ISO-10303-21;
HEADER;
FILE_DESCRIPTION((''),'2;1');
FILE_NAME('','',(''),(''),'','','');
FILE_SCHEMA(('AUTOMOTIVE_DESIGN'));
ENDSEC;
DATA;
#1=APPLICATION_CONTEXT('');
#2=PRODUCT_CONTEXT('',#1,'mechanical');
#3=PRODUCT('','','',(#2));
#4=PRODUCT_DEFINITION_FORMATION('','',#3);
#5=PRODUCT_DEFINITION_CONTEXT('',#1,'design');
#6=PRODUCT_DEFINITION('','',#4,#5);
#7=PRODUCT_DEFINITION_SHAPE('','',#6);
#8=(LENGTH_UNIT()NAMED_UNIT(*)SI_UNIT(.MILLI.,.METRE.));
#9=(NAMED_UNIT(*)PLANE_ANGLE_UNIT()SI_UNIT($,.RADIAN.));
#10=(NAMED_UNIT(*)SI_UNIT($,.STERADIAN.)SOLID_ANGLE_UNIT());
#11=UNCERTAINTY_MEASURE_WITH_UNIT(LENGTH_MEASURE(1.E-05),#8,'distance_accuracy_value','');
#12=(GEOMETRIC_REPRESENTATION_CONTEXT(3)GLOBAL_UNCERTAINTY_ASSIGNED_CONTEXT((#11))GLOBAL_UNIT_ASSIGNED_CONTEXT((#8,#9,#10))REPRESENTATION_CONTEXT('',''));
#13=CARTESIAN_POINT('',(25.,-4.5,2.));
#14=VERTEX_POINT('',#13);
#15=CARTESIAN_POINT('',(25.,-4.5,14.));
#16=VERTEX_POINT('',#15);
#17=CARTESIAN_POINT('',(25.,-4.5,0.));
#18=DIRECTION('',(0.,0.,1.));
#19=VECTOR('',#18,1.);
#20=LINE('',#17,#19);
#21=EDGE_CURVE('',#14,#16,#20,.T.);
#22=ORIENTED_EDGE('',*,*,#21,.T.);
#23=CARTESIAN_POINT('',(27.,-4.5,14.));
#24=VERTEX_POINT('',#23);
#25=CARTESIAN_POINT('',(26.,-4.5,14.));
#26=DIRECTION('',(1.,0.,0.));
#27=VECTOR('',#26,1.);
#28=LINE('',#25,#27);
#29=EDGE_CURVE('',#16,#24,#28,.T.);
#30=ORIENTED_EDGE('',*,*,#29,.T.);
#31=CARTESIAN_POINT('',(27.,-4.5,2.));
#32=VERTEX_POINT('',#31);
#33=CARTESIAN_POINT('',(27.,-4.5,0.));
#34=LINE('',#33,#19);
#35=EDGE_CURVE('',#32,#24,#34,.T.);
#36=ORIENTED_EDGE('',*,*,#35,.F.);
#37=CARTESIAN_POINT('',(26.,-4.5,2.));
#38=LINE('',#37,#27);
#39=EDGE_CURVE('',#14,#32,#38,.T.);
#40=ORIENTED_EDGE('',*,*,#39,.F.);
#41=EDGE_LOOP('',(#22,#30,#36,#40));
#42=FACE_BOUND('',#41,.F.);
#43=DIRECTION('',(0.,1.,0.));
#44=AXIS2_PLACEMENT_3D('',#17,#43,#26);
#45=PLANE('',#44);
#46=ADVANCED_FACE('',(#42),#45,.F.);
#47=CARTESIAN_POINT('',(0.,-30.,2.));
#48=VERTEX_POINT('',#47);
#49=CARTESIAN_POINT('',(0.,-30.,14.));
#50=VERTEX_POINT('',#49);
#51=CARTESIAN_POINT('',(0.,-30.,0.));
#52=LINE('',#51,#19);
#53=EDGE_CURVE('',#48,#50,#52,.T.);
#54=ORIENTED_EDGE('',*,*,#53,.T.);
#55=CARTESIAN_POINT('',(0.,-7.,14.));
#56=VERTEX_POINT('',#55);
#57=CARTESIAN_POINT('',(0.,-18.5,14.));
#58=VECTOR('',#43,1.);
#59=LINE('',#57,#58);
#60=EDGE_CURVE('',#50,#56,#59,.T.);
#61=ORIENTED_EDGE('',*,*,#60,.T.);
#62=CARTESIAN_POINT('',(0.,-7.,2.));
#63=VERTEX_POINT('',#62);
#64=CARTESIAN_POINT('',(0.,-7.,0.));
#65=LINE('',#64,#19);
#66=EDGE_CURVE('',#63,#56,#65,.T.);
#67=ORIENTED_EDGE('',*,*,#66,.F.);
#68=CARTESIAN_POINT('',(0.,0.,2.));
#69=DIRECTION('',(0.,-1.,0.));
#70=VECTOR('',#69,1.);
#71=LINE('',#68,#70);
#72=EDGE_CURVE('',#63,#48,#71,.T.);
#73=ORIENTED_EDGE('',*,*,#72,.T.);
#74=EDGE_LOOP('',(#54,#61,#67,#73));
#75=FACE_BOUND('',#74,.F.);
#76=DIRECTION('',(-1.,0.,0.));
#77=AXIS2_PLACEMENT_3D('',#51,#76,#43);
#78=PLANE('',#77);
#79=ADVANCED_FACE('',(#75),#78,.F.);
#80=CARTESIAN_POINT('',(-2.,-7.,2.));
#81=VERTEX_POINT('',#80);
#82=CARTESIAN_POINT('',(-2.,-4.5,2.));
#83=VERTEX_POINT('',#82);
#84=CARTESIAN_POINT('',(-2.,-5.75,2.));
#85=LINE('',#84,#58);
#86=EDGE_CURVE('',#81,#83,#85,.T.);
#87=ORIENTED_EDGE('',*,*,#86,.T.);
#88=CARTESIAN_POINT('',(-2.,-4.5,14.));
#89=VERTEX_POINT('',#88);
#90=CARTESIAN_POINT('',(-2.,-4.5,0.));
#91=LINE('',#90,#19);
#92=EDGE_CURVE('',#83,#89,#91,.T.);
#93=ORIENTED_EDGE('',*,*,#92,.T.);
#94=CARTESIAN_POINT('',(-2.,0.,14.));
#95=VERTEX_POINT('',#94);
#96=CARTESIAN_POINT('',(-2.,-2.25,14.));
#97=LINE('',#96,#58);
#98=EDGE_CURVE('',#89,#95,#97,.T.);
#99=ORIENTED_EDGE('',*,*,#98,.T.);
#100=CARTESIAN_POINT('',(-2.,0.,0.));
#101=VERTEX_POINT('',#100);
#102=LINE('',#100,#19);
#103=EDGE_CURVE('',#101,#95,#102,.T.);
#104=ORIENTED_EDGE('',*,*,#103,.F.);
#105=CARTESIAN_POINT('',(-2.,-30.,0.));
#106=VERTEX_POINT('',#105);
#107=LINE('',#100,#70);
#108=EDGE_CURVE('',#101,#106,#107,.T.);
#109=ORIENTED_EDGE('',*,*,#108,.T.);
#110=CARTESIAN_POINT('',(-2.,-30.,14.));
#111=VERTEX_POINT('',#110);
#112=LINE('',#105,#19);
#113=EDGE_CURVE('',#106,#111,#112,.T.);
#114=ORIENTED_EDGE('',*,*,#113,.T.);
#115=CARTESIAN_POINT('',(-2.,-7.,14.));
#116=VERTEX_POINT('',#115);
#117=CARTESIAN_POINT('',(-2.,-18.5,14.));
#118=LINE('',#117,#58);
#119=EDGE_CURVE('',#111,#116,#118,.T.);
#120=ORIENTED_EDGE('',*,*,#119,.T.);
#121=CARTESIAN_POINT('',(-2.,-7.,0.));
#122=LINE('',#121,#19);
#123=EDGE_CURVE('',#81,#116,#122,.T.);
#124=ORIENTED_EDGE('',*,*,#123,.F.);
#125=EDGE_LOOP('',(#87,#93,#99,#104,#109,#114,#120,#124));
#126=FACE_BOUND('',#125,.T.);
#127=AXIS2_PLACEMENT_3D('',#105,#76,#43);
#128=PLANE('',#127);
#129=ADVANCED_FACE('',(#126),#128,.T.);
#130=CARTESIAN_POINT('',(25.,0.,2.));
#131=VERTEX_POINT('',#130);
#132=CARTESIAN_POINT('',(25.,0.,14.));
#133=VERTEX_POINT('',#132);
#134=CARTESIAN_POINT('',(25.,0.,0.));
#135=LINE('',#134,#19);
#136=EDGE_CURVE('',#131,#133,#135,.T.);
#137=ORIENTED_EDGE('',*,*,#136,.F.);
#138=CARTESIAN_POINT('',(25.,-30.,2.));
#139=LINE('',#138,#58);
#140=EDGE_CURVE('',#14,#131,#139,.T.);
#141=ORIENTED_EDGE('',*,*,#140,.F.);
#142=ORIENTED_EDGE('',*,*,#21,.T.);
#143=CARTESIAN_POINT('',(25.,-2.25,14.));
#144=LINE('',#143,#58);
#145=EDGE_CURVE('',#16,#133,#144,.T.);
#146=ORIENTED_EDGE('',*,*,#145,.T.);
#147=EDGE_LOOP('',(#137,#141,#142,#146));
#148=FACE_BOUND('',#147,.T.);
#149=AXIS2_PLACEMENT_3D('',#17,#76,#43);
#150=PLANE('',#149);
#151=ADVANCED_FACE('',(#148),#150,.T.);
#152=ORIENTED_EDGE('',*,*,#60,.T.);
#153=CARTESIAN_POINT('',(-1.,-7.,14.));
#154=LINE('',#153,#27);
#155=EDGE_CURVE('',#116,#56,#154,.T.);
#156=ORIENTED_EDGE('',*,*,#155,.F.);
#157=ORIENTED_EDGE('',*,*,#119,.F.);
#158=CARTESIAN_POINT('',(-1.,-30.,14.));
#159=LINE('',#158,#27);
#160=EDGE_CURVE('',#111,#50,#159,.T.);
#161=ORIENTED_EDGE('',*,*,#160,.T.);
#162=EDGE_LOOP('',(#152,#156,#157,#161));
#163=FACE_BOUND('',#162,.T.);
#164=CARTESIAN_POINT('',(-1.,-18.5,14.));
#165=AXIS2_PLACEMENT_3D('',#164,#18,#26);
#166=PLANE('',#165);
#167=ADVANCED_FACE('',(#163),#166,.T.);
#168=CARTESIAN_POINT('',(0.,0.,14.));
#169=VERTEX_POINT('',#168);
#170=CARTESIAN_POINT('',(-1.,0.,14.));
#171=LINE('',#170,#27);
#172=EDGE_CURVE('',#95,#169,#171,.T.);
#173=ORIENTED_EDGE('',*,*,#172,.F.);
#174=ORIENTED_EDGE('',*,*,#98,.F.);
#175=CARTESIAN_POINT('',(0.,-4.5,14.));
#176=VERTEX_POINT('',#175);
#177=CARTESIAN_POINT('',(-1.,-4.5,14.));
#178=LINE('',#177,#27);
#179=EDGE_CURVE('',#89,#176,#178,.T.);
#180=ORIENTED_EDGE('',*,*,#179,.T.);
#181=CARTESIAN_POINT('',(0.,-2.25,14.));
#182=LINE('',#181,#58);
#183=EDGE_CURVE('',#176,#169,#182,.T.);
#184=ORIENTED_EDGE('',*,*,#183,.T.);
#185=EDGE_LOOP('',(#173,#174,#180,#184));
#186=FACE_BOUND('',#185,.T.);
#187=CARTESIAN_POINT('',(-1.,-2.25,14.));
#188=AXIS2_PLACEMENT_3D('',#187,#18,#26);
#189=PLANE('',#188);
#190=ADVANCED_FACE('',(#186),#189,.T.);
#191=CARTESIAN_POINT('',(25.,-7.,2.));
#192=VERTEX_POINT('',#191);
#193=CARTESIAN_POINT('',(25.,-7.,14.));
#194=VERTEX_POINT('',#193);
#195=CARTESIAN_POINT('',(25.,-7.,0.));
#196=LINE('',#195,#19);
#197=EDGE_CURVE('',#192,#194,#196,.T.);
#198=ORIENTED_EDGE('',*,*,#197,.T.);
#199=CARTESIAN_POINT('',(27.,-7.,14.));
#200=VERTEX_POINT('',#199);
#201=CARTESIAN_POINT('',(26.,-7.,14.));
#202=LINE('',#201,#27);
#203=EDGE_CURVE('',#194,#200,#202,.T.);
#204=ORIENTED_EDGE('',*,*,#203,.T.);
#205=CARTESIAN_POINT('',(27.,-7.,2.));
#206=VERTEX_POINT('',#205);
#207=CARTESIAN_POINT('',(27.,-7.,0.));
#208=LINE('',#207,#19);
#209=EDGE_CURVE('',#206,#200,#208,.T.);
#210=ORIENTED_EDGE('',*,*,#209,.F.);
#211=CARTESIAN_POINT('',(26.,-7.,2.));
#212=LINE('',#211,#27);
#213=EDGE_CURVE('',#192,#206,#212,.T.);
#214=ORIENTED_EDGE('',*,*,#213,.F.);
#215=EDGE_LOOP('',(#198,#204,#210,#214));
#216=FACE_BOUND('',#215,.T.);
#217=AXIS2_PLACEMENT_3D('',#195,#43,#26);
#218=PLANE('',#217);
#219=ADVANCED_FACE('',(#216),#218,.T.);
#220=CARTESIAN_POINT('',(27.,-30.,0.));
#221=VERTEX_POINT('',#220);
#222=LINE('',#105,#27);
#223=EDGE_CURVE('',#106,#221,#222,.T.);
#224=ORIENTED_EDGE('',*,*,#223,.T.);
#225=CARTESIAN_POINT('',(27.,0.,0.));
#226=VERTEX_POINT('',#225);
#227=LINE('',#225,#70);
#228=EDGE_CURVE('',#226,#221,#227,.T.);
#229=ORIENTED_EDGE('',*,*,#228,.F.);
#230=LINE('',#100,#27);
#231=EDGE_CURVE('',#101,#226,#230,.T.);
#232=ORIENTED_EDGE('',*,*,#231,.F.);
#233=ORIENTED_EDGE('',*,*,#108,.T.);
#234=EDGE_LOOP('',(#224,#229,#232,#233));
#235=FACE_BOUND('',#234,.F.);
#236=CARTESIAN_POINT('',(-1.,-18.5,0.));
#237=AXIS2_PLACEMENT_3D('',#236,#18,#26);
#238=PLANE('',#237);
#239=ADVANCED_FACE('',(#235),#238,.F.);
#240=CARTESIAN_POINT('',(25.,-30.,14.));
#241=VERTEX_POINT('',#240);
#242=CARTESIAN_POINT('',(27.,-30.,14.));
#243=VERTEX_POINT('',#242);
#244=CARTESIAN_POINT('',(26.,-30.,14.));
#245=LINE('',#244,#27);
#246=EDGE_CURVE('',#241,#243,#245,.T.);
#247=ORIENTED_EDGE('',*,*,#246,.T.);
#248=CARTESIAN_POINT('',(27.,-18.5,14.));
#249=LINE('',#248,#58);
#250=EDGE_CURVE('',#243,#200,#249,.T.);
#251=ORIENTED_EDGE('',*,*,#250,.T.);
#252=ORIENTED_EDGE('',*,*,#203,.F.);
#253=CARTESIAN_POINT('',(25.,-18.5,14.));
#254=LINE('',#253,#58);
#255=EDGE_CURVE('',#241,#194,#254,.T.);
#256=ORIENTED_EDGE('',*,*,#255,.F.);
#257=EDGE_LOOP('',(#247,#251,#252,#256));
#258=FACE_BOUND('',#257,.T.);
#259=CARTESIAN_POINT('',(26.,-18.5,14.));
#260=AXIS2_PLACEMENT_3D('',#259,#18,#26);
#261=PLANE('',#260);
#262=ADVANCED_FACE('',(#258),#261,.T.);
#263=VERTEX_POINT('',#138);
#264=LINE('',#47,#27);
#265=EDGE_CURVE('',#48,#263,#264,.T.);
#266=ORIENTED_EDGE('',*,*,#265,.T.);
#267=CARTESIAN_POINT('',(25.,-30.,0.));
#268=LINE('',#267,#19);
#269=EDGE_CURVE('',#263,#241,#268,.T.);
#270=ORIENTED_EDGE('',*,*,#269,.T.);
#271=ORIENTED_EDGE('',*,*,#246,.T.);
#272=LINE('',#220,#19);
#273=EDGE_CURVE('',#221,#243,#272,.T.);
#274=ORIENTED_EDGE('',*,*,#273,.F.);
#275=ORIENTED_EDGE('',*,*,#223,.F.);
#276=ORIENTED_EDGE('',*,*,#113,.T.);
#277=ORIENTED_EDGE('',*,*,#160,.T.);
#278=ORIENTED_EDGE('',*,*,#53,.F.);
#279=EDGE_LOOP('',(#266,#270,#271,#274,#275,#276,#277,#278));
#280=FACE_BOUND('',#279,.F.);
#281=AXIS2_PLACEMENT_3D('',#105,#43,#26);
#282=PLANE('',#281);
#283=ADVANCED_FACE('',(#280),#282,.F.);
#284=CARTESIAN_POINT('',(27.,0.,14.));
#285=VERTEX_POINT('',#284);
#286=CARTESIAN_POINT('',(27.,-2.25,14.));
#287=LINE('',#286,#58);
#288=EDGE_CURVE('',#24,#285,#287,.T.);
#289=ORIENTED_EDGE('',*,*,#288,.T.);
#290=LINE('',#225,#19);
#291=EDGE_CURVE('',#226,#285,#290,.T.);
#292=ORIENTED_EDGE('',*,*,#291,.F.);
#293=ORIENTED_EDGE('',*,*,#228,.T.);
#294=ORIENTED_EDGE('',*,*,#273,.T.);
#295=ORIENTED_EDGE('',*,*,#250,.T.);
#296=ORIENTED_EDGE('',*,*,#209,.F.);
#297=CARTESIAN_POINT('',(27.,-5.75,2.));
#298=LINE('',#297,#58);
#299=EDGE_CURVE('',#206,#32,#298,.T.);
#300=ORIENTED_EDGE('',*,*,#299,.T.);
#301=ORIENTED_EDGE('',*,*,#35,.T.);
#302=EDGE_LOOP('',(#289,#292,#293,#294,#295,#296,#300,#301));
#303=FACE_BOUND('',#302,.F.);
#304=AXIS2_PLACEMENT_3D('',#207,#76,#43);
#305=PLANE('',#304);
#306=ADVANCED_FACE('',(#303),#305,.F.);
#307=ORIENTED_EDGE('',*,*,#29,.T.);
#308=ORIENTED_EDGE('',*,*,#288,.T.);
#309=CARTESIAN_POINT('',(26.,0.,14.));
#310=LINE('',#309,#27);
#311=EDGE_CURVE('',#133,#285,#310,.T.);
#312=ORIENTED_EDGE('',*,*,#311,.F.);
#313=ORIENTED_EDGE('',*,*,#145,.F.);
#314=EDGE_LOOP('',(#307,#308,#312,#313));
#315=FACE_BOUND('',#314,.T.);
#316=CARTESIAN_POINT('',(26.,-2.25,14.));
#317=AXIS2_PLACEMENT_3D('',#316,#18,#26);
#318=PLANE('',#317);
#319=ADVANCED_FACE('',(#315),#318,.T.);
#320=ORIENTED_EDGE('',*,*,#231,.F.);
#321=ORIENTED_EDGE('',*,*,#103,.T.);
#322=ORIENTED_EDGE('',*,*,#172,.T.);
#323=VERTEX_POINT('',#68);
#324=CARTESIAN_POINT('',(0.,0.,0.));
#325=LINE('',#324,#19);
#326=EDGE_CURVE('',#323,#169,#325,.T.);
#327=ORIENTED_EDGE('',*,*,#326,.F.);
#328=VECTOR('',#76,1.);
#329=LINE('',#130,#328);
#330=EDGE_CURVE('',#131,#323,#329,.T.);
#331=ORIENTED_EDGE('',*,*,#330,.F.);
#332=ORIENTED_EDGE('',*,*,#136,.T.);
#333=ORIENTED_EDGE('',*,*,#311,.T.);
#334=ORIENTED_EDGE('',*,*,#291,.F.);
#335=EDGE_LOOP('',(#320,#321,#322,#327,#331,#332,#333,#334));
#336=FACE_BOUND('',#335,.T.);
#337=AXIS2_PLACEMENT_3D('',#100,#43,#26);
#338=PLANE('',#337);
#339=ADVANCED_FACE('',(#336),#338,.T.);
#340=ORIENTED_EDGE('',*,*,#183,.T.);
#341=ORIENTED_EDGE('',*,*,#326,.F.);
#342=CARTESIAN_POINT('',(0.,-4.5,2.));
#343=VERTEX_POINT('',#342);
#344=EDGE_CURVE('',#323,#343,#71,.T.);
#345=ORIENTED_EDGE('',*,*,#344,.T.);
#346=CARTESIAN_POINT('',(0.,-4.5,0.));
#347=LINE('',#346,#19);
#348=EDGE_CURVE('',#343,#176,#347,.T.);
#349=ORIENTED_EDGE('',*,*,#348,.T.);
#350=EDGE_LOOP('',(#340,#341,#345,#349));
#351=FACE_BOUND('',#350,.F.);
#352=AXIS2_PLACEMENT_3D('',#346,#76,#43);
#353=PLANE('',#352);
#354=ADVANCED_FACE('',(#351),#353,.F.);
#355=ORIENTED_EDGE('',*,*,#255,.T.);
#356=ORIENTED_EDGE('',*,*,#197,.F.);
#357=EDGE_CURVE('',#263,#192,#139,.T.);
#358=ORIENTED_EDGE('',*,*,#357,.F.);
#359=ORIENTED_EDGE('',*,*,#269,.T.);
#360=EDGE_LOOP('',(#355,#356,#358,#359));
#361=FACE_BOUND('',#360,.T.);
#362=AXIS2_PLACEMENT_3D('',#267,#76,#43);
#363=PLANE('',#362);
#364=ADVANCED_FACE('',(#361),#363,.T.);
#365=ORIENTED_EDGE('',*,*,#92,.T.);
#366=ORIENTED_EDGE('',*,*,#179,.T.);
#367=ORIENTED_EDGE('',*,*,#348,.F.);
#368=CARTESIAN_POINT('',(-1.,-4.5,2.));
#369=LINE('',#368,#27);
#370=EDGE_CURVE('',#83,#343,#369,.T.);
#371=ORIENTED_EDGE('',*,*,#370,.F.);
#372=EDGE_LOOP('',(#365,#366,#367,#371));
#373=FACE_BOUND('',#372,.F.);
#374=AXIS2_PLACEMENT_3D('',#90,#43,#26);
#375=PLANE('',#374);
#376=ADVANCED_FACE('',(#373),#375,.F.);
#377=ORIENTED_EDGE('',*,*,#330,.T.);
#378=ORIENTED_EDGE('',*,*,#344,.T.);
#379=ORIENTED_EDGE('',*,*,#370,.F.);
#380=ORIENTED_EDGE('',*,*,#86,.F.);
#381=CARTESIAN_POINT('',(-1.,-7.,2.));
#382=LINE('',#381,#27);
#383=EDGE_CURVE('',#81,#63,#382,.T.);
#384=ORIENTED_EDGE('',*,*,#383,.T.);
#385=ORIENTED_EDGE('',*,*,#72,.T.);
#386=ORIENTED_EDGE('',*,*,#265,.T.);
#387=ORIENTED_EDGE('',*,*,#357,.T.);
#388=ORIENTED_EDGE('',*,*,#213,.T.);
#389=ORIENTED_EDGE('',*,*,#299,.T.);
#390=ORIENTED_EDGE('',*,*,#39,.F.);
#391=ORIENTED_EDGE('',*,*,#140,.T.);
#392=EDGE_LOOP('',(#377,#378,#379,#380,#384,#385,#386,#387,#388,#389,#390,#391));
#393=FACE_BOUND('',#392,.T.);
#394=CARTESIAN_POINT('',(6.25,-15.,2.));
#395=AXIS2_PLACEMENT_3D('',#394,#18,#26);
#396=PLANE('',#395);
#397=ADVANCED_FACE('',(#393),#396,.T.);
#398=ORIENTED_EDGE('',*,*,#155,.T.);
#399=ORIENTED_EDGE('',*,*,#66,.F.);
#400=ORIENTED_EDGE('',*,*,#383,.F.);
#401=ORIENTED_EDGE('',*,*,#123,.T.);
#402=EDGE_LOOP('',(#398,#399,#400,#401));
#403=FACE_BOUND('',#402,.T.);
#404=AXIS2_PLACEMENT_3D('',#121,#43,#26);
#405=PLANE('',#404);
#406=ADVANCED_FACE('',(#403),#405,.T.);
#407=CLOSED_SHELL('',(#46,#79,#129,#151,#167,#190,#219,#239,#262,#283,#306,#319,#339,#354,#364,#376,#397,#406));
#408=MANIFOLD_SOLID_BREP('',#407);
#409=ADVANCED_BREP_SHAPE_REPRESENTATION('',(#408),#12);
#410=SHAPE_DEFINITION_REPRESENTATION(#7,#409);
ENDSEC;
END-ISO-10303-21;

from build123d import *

# Parameters (mm, degrees)
F0_W     = 2
F0_H     = 2.5
F1_DEPTH = 2
F0_H_2   = 23
F0_H_3   = 4.5
F2_DEPTH = 14


with BuildPart() as f1:
    # F0 (on Top) → F1 (new body)
    with BuildSketch(Plane.XY):
        Polygon((12.5, 0), (0, 0), (0, -4.5), (0, -7), (0, -30), (12.5, -30), align=None)
        Polygon((25, 0), (12.5, 0), (12.5, -30), (25, -30), (25, -7), (25, -4.5), align=None)
        with Locations((-1, -5.75)):
            Rectangle(F0_W, F0_H)
        with Locations((26, -5.75)):
            Rectangle(F0_W, F0_H)
    extrude(amount=F1_DEPTH)

    # F0 (on Top) → F2 (join)
    with BuildSketch(Plane.XY):
        with Locations((-1, -18.5)):
            Rectangle(F0_W, F0_H_2)
        with Locations((-1, -2.25)):
            Rectangle(F0_W, F0_H_3)
        with Locations((26, -2.25)):
            Rectangle(F0_W, F0_H_3)
        with Locations((26, -18.5)):
            Rectangle(F0_W, F0_H_2)
    extrude(amount=F2_DEPTH)


solid = f1.part
